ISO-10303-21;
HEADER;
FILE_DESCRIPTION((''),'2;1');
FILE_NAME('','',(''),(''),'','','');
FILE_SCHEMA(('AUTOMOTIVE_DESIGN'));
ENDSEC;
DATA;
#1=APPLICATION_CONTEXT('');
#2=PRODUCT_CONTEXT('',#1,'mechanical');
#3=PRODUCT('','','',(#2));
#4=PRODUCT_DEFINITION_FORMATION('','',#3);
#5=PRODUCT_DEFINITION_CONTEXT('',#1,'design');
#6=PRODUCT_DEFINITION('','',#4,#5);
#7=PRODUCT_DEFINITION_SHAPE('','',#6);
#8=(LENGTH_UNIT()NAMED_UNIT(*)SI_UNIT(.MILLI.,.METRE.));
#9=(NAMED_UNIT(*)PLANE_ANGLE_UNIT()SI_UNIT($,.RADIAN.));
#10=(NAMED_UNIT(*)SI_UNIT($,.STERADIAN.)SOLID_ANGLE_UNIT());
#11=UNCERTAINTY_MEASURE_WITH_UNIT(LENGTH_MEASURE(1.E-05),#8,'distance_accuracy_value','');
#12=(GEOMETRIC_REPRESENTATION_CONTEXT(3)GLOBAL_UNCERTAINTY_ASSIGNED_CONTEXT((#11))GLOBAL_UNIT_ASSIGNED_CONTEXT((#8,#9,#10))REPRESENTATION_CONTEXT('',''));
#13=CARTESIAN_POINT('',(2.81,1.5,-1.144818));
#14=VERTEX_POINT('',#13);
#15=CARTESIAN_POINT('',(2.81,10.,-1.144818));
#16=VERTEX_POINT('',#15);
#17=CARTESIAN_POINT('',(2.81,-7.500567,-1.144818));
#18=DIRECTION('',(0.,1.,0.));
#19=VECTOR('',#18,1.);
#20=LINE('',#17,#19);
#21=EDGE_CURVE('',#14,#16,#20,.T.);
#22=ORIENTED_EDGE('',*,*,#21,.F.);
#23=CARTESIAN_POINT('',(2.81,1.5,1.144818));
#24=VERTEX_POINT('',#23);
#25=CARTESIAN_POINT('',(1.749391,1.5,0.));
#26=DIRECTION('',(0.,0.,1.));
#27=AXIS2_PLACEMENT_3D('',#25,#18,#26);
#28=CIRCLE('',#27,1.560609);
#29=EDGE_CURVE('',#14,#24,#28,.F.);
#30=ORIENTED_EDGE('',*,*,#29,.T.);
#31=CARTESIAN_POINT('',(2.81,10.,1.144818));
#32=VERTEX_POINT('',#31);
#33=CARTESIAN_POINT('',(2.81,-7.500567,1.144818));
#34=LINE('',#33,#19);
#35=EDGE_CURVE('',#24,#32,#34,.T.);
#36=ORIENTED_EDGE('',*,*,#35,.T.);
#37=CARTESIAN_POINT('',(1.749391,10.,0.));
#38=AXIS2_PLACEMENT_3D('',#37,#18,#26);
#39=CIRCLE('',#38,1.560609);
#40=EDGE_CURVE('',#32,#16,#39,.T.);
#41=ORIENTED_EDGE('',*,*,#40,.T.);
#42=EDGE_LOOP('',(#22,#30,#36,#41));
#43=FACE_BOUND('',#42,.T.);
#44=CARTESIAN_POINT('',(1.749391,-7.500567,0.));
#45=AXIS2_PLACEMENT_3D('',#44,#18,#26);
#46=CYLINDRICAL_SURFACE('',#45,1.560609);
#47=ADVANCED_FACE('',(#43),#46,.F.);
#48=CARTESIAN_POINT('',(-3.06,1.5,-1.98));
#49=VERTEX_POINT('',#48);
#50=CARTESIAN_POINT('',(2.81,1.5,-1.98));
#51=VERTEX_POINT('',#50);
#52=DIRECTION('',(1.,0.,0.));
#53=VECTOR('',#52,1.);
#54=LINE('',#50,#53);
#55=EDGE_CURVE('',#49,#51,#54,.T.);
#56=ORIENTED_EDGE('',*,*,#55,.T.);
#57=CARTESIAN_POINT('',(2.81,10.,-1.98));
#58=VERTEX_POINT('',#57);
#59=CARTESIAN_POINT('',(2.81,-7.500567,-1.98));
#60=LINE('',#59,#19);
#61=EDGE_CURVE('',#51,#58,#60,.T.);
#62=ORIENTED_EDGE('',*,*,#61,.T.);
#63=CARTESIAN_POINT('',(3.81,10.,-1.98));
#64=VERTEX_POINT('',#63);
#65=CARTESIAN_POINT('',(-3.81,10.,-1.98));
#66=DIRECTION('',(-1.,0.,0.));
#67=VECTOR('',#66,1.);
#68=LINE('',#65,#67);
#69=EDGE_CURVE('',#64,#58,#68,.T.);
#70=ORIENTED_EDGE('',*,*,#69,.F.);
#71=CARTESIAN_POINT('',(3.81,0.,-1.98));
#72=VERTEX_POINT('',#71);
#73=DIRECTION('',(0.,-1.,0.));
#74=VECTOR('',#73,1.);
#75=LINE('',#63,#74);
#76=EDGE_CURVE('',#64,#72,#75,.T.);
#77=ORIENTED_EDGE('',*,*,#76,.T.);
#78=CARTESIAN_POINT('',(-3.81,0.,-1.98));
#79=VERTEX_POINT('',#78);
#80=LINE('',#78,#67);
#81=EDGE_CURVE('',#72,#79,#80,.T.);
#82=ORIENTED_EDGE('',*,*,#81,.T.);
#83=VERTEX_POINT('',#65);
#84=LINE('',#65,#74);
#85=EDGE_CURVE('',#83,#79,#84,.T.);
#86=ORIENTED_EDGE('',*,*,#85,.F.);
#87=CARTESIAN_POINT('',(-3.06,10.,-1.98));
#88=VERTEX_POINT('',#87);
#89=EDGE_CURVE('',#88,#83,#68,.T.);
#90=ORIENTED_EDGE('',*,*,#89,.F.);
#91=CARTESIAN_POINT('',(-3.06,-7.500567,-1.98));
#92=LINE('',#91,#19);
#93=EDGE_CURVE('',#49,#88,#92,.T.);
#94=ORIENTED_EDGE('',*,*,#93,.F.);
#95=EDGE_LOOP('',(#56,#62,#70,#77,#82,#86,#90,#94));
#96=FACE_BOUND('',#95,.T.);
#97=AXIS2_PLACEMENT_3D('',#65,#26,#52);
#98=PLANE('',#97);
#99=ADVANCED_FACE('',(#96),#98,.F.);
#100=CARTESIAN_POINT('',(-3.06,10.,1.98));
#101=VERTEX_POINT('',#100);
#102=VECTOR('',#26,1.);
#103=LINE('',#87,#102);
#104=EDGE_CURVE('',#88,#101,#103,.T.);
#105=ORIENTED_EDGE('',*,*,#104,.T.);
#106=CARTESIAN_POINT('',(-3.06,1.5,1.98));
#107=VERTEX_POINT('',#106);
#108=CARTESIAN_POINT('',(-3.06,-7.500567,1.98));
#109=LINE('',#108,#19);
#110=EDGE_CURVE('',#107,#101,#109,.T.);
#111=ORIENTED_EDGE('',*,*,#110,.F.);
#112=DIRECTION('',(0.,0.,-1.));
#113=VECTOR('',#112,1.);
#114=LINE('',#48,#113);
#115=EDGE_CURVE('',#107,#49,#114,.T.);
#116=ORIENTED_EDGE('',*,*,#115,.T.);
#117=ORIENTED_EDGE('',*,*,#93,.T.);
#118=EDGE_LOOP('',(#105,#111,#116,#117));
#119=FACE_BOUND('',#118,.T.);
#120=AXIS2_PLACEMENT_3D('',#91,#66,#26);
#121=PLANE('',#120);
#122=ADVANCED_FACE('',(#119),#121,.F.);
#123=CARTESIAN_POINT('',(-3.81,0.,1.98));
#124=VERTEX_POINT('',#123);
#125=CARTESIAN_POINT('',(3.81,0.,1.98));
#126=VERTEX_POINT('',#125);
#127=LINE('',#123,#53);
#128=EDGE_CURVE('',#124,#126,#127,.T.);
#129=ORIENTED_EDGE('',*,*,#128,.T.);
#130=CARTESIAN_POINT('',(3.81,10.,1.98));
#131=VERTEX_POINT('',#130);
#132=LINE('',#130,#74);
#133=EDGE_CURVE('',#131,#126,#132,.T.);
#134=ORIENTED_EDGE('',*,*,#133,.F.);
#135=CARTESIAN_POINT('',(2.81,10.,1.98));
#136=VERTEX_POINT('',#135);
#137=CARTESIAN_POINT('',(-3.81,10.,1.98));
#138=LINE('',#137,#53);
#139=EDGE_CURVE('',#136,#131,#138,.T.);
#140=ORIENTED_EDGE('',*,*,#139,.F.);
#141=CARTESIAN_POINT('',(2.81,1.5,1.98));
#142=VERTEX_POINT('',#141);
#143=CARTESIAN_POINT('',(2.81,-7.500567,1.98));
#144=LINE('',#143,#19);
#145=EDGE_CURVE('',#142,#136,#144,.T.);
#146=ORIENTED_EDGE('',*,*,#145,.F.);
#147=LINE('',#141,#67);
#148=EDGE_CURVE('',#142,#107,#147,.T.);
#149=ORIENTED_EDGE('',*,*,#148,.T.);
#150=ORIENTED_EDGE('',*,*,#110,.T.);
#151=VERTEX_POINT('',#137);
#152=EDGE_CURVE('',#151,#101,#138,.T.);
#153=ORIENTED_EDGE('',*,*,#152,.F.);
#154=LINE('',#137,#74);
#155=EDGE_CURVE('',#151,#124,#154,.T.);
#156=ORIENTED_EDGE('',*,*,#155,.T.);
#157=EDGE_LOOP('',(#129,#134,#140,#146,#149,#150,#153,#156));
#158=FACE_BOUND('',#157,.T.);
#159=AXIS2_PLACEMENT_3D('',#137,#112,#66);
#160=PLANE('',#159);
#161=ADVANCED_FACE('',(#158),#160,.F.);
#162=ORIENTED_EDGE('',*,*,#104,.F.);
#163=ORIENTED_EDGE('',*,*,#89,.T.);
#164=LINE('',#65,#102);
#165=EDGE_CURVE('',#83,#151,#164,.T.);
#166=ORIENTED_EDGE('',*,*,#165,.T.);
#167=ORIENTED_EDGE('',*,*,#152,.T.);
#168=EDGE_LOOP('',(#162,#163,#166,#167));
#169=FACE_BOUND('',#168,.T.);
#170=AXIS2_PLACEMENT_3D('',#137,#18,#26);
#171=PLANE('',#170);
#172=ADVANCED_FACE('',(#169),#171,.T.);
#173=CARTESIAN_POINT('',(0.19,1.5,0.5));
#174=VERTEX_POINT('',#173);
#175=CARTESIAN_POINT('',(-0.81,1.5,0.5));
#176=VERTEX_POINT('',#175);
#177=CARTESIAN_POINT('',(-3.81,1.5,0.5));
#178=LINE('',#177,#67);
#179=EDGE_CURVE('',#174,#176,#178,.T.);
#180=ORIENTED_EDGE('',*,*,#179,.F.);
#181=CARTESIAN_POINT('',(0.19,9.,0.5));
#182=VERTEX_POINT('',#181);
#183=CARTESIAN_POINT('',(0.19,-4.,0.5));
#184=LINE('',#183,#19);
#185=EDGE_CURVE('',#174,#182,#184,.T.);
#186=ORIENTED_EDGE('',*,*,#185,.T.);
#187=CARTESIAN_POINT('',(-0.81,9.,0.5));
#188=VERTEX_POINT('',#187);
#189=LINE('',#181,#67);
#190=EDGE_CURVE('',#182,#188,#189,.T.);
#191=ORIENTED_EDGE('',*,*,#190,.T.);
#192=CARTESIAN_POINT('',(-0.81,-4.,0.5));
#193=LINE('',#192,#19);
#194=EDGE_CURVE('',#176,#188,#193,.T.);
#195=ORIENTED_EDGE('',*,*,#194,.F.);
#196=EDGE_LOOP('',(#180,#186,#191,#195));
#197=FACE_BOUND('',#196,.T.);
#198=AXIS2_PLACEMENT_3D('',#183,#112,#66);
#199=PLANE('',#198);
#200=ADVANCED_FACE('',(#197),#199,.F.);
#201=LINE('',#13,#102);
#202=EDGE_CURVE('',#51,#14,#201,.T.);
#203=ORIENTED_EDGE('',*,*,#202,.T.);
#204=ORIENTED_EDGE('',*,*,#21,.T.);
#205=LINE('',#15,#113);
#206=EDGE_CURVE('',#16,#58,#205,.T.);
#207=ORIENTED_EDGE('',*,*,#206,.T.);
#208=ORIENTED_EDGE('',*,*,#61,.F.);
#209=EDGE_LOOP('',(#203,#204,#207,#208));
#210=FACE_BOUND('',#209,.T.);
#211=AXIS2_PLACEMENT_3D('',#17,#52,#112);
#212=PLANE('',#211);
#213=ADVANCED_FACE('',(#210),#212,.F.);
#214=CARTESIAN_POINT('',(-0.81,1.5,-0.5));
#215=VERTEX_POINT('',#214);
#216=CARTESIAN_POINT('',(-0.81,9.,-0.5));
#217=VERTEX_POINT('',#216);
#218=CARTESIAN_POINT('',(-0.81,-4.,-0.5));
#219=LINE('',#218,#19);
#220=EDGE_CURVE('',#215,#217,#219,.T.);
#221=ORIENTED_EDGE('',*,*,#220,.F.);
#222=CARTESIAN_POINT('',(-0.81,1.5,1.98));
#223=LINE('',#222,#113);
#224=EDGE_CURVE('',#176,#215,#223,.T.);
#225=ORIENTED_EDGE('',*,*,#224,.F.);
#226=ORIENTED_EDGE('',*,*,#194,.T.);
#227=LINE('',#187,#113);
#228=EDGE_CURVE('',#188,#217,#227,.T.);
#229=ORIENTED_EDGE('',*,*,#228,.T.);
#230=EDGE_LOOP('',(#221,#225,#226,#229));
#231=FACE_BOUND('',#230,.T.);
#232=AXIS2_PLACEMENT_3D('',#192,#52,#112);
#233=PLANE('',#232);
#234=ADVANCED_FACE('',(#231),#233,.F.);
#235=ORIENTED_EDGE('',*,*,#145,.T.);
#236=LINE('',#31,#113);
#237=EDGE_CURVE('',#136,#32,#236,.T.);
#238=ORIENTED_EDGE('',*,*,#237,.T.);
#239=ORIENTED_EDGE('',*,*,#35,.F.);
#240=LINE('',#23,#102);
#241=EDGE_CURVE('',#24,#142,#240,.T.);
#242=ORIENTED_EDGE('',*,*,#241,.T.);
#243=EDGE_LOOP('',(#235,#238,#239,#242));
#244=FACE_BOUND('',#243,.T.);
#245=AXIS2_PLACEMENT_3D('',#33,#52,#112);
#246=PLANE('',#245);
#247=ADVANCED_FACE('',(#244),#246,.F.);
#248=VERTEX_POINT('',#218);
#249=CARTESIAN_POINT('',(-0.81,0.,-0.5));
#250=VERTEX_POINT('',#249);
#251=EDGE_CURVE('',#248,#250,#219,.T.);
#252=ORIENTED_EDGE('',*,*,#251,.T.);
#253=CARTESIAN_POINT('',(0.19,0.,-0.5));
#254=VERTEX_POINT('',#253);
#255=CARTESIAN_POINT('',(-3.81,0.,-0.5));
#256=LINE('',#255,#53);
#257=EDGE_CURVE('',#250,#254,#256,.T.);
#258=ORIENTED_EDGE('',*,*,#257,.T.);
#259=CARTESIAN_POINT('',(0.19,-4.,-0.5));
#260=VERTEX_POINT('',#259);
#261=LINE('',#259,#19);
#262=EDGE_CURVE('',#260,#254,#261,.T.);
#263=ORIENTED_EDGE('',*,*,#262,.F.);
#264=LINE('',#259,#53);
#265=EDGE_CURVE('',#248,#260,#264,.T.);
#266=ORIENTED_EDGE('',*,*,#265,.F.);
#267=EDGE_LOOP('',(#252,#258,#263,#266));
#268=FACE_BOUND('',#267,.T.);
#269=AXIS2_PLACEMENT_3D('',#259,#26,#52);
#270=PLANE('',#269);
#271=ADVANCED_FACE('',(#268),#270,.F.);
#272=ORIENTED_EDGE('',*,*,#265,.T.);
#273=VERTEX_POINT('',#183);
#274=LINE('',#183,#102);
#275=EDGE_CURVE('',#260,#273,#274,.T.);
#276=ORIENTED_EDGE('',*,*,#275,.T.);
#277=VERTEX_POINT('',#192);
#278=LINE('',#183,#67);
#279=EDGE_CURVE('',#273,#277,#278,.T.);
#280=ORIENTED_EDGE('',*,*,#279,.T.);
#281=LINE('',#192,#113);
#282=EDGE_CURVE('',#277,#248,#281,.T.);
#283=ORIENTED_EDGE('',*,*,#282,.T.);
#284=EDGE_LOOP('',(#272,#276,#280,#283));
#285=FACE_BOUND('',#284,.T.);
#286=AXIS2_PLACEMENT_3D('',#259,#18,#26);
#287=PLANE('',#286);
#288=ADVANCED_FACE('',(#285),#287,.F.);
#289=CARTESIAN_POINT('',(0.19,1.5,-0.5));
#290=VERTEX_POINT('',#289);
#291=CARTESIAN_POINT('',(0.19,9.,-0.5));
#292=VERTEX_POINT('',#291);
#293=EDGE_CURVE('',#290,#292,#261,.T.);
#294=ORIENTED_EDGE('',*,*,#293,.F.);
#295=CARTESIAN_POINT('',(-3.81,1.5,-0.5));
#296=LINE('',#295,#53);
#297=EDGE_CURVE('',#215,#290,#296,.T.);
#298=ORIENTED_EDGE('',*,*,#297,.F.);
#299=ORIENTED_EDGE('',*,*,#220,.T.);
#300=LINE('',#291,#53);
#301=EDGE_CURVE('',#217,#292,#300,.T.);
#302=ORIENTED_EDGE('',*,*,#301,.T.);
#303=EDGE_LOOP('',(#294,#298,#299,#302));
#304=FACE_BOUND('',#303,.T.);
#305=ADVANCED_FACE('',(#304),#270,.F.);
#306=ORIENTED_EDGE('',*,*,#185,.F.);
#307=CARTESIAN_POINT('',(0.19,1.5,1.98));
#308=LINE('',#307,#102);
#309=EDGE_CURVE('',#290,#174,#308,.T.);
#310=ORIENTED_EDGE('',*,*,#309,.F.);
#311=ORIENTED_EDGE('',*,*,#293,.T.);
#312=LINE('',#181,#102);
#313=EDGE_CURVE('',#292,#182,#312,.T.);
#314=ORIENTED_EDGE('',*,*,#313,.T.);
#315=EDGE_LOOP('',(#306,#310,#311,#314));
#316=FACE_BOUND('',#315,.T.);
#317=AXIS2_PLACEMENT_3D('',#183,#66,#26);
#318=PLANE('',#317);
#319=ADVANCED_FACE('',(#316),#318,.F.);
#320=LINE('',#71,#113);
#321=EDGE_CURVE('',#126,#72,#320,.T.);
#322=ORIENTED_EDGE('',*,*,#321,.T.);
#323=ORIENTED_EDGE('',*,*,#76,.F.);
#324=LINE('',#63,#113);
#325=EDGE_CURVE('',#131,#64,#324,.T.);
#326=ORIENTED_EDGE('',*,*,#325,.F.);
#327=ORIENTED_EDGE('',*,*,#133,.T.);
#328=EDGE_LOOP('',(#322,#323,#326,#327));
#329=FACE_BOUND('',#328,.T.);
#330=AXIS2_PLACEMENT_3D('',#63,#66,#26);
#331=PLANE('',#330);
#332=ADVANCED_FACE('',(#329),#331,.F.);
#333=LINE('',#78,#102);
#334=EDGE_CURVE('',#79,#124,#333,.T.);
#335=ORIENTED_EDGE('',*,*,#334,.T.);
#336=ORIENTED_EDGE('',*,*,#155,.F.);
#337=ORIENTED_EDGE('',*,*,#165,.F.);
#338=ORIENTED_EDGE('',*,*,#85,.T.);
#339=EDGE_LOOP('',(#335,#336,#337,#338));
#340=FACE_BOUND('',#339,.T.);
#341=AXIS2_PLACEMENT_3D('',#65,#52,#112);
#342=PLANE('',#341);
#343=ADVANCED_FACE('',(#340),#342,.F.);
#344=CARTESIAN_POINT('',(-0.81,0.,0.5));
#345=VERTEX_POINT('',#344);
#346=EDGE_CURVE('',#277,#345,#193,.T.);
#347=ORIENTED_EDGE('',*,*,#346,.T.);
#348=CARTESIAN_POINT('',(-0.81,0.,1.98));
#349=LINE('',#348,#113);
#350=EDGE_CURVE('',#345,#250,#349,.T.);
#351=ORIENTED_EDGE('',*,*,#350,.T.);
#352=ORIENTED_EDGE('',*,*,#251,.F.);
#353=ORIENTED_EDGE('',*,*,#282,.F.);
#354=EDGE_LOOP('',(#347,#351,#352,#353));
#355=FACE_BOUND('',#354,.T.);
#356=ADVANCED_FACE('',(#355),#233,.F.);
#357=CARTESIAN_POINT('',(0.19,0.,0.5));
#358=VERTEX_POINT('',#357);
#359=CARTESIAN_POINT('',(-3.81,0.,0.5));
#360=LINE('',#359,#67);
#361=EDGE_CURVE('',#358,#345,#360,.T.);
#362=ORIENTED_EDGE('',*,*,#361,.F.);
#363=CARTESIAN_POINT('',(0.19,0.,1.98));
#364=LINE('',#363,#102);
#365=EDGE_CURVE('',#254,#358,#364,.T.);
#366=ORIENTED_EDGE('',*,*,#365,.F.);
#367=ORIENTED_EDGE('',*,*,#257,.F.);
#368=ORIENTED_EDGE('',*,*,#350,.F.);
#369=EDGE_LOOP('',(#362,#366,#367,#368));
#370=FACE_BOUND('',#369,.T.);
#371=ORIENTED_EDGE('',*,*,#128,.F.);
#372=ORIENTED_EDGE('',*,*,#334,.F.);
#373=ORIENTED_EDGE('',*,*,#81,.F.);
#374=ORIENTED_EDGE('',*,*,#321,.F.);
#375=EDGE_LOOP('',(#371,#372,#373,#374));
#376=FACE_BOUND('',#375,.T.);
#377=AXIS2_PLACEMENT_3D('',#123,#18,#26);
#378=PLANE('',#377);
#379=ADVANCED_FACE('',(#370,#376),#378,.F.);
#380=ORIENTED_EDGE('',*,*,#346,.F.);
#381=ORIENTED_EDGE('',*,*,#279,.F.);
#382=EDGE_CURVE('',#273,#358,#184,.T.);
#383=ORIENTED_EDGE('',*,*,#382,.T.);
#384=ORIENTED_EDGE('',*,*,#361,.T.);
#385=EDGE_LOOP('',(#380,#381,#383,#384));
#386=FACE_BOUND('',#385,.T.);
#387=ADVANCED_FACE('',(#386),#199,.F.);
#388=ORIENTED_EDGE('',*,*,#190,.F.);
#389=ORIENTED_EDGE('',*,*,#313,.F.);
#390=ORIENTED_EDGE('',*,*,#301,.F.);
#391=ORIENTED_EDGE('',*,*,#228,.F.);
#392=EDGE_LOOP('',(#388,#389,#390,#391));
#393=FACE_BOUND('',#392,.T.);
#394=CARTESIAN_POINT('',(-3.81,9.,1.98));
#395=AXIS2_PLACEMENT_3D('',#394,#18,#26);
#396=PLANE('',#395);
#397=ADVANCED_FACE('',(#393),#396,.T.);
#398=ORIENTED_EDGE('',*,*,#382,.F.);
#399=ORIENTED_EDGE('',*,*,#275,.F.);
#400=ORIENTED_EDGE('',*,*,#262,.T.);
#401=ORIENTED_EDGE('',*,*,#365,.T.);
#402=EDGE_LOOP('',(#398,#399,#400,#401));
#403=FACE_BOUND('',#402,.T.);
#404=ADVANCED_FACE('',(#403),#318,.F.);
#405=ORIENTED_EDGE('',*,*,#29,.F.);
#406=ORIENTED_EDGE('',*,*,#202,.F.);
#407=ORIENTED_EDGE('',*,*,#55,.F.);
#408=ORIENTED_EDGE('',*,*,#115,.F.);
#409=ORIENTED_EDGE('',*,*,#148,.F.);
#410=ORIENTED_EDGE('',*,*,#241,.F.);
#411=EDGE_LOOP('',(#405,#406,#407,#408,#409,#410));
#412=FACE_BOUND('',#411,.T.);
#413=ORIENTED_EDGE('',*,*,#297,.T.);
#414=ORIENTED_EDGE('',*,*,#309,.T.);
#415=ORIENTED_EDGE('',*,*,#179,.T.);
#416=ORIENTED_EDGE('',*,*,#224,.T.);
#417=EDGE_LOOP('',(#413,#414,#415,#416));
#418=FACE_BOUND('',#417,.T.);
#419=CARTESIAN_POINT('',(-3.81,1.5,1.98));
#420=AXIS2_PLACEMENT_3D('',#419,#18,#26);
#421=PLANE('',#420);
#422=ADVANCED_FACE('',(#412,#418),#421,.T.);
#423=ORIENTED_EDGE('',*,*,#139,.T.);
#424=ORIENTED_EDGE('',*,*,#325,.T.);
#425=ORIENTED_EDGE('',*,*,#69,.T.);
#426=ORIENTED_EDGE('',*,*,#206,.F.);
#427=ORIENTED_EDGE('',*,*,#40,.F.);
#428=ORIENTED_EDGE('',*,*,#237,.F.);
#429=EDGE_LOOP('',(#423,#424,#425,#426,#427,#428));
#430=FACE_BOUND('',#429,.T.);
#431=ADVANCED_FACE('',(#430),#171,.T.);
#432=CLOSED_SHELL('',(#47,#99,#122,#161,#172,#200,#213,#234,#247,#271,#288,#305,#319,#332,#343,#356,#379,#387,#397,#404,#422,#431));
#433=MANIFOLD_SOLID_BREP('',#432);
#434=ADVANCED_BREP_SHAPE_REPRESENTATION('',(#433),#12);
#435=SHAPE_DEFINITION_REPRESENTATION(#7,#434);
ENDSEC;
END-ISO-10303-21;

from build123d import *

# Parameters (mm, degrees)
SKETCH_1_W           = 7.62
SKETCH_1_H           = 3.96
EXTRUDE_1_DEPTH      = 10
CUT_EXTRUDE_1_DEPTH  = 8.5
EXTRUDE_2_DEPTH      = 4
EXTRUDE_2_DEPTH_BACK = 9
SKETCH_3_W           = 1
SKETCH_3_H           = 1


with BuildPart() as part:
    # 草图1 → 拉伸1 (new body)
    with BuildSketch(Plane(origin=(0, 0, 0), x_dir=(1, 0, 0), z_dir=(0, 1, 0))):
        Rectangle(SKETCH_1_W, SKETCH_1_H)
    extrude(amount=EXTRUDE_1_DEPTH)

    # 草图2 → 切除-拉伸1 (cut)
    with BuildSketch(Plane(origin=(0, 10, 0), x_dir=(-1, 0, 0), z_dir=(0, 1, 0))):
        with BuildLine():
            Line((-2.81, 1.144818304), (-2.81, 1.98))
            Line((-2.81, 1.98), (3.06, 1.98))
            Line((3.06, 1.98), (3.06, -1.98))
            Line((3.06, -1.98), (-2.81, -1.98))
            Line((-2.81, -1.98), (-2.81, -1.144818304))
            ThreePointArc((-2.81, -1.144818304), (-3.31, 0), (-2.81, 1.144818304))
        make_face()
    extrude(amount=-CUT_EXTRUDE_1_DEPTH, mode=Mode.SUBTRACT)

    # 草图3 → 拉伸2 (add, two sides: drawn at the far end of the back side and taken through both)
    with BuildSketch(Plane.XZ.offset(-EXTRUDE_2_DEPTH_BACK)):
        with Locations((-0.31, 0)):
            Rectangle(SKETCH_3_W, SKETCH_3_H)
    extrude(amount=EXTRUDE_2_DEPTH + EXTRUDE_2_DEPTH_BACK)


solid = part.part
